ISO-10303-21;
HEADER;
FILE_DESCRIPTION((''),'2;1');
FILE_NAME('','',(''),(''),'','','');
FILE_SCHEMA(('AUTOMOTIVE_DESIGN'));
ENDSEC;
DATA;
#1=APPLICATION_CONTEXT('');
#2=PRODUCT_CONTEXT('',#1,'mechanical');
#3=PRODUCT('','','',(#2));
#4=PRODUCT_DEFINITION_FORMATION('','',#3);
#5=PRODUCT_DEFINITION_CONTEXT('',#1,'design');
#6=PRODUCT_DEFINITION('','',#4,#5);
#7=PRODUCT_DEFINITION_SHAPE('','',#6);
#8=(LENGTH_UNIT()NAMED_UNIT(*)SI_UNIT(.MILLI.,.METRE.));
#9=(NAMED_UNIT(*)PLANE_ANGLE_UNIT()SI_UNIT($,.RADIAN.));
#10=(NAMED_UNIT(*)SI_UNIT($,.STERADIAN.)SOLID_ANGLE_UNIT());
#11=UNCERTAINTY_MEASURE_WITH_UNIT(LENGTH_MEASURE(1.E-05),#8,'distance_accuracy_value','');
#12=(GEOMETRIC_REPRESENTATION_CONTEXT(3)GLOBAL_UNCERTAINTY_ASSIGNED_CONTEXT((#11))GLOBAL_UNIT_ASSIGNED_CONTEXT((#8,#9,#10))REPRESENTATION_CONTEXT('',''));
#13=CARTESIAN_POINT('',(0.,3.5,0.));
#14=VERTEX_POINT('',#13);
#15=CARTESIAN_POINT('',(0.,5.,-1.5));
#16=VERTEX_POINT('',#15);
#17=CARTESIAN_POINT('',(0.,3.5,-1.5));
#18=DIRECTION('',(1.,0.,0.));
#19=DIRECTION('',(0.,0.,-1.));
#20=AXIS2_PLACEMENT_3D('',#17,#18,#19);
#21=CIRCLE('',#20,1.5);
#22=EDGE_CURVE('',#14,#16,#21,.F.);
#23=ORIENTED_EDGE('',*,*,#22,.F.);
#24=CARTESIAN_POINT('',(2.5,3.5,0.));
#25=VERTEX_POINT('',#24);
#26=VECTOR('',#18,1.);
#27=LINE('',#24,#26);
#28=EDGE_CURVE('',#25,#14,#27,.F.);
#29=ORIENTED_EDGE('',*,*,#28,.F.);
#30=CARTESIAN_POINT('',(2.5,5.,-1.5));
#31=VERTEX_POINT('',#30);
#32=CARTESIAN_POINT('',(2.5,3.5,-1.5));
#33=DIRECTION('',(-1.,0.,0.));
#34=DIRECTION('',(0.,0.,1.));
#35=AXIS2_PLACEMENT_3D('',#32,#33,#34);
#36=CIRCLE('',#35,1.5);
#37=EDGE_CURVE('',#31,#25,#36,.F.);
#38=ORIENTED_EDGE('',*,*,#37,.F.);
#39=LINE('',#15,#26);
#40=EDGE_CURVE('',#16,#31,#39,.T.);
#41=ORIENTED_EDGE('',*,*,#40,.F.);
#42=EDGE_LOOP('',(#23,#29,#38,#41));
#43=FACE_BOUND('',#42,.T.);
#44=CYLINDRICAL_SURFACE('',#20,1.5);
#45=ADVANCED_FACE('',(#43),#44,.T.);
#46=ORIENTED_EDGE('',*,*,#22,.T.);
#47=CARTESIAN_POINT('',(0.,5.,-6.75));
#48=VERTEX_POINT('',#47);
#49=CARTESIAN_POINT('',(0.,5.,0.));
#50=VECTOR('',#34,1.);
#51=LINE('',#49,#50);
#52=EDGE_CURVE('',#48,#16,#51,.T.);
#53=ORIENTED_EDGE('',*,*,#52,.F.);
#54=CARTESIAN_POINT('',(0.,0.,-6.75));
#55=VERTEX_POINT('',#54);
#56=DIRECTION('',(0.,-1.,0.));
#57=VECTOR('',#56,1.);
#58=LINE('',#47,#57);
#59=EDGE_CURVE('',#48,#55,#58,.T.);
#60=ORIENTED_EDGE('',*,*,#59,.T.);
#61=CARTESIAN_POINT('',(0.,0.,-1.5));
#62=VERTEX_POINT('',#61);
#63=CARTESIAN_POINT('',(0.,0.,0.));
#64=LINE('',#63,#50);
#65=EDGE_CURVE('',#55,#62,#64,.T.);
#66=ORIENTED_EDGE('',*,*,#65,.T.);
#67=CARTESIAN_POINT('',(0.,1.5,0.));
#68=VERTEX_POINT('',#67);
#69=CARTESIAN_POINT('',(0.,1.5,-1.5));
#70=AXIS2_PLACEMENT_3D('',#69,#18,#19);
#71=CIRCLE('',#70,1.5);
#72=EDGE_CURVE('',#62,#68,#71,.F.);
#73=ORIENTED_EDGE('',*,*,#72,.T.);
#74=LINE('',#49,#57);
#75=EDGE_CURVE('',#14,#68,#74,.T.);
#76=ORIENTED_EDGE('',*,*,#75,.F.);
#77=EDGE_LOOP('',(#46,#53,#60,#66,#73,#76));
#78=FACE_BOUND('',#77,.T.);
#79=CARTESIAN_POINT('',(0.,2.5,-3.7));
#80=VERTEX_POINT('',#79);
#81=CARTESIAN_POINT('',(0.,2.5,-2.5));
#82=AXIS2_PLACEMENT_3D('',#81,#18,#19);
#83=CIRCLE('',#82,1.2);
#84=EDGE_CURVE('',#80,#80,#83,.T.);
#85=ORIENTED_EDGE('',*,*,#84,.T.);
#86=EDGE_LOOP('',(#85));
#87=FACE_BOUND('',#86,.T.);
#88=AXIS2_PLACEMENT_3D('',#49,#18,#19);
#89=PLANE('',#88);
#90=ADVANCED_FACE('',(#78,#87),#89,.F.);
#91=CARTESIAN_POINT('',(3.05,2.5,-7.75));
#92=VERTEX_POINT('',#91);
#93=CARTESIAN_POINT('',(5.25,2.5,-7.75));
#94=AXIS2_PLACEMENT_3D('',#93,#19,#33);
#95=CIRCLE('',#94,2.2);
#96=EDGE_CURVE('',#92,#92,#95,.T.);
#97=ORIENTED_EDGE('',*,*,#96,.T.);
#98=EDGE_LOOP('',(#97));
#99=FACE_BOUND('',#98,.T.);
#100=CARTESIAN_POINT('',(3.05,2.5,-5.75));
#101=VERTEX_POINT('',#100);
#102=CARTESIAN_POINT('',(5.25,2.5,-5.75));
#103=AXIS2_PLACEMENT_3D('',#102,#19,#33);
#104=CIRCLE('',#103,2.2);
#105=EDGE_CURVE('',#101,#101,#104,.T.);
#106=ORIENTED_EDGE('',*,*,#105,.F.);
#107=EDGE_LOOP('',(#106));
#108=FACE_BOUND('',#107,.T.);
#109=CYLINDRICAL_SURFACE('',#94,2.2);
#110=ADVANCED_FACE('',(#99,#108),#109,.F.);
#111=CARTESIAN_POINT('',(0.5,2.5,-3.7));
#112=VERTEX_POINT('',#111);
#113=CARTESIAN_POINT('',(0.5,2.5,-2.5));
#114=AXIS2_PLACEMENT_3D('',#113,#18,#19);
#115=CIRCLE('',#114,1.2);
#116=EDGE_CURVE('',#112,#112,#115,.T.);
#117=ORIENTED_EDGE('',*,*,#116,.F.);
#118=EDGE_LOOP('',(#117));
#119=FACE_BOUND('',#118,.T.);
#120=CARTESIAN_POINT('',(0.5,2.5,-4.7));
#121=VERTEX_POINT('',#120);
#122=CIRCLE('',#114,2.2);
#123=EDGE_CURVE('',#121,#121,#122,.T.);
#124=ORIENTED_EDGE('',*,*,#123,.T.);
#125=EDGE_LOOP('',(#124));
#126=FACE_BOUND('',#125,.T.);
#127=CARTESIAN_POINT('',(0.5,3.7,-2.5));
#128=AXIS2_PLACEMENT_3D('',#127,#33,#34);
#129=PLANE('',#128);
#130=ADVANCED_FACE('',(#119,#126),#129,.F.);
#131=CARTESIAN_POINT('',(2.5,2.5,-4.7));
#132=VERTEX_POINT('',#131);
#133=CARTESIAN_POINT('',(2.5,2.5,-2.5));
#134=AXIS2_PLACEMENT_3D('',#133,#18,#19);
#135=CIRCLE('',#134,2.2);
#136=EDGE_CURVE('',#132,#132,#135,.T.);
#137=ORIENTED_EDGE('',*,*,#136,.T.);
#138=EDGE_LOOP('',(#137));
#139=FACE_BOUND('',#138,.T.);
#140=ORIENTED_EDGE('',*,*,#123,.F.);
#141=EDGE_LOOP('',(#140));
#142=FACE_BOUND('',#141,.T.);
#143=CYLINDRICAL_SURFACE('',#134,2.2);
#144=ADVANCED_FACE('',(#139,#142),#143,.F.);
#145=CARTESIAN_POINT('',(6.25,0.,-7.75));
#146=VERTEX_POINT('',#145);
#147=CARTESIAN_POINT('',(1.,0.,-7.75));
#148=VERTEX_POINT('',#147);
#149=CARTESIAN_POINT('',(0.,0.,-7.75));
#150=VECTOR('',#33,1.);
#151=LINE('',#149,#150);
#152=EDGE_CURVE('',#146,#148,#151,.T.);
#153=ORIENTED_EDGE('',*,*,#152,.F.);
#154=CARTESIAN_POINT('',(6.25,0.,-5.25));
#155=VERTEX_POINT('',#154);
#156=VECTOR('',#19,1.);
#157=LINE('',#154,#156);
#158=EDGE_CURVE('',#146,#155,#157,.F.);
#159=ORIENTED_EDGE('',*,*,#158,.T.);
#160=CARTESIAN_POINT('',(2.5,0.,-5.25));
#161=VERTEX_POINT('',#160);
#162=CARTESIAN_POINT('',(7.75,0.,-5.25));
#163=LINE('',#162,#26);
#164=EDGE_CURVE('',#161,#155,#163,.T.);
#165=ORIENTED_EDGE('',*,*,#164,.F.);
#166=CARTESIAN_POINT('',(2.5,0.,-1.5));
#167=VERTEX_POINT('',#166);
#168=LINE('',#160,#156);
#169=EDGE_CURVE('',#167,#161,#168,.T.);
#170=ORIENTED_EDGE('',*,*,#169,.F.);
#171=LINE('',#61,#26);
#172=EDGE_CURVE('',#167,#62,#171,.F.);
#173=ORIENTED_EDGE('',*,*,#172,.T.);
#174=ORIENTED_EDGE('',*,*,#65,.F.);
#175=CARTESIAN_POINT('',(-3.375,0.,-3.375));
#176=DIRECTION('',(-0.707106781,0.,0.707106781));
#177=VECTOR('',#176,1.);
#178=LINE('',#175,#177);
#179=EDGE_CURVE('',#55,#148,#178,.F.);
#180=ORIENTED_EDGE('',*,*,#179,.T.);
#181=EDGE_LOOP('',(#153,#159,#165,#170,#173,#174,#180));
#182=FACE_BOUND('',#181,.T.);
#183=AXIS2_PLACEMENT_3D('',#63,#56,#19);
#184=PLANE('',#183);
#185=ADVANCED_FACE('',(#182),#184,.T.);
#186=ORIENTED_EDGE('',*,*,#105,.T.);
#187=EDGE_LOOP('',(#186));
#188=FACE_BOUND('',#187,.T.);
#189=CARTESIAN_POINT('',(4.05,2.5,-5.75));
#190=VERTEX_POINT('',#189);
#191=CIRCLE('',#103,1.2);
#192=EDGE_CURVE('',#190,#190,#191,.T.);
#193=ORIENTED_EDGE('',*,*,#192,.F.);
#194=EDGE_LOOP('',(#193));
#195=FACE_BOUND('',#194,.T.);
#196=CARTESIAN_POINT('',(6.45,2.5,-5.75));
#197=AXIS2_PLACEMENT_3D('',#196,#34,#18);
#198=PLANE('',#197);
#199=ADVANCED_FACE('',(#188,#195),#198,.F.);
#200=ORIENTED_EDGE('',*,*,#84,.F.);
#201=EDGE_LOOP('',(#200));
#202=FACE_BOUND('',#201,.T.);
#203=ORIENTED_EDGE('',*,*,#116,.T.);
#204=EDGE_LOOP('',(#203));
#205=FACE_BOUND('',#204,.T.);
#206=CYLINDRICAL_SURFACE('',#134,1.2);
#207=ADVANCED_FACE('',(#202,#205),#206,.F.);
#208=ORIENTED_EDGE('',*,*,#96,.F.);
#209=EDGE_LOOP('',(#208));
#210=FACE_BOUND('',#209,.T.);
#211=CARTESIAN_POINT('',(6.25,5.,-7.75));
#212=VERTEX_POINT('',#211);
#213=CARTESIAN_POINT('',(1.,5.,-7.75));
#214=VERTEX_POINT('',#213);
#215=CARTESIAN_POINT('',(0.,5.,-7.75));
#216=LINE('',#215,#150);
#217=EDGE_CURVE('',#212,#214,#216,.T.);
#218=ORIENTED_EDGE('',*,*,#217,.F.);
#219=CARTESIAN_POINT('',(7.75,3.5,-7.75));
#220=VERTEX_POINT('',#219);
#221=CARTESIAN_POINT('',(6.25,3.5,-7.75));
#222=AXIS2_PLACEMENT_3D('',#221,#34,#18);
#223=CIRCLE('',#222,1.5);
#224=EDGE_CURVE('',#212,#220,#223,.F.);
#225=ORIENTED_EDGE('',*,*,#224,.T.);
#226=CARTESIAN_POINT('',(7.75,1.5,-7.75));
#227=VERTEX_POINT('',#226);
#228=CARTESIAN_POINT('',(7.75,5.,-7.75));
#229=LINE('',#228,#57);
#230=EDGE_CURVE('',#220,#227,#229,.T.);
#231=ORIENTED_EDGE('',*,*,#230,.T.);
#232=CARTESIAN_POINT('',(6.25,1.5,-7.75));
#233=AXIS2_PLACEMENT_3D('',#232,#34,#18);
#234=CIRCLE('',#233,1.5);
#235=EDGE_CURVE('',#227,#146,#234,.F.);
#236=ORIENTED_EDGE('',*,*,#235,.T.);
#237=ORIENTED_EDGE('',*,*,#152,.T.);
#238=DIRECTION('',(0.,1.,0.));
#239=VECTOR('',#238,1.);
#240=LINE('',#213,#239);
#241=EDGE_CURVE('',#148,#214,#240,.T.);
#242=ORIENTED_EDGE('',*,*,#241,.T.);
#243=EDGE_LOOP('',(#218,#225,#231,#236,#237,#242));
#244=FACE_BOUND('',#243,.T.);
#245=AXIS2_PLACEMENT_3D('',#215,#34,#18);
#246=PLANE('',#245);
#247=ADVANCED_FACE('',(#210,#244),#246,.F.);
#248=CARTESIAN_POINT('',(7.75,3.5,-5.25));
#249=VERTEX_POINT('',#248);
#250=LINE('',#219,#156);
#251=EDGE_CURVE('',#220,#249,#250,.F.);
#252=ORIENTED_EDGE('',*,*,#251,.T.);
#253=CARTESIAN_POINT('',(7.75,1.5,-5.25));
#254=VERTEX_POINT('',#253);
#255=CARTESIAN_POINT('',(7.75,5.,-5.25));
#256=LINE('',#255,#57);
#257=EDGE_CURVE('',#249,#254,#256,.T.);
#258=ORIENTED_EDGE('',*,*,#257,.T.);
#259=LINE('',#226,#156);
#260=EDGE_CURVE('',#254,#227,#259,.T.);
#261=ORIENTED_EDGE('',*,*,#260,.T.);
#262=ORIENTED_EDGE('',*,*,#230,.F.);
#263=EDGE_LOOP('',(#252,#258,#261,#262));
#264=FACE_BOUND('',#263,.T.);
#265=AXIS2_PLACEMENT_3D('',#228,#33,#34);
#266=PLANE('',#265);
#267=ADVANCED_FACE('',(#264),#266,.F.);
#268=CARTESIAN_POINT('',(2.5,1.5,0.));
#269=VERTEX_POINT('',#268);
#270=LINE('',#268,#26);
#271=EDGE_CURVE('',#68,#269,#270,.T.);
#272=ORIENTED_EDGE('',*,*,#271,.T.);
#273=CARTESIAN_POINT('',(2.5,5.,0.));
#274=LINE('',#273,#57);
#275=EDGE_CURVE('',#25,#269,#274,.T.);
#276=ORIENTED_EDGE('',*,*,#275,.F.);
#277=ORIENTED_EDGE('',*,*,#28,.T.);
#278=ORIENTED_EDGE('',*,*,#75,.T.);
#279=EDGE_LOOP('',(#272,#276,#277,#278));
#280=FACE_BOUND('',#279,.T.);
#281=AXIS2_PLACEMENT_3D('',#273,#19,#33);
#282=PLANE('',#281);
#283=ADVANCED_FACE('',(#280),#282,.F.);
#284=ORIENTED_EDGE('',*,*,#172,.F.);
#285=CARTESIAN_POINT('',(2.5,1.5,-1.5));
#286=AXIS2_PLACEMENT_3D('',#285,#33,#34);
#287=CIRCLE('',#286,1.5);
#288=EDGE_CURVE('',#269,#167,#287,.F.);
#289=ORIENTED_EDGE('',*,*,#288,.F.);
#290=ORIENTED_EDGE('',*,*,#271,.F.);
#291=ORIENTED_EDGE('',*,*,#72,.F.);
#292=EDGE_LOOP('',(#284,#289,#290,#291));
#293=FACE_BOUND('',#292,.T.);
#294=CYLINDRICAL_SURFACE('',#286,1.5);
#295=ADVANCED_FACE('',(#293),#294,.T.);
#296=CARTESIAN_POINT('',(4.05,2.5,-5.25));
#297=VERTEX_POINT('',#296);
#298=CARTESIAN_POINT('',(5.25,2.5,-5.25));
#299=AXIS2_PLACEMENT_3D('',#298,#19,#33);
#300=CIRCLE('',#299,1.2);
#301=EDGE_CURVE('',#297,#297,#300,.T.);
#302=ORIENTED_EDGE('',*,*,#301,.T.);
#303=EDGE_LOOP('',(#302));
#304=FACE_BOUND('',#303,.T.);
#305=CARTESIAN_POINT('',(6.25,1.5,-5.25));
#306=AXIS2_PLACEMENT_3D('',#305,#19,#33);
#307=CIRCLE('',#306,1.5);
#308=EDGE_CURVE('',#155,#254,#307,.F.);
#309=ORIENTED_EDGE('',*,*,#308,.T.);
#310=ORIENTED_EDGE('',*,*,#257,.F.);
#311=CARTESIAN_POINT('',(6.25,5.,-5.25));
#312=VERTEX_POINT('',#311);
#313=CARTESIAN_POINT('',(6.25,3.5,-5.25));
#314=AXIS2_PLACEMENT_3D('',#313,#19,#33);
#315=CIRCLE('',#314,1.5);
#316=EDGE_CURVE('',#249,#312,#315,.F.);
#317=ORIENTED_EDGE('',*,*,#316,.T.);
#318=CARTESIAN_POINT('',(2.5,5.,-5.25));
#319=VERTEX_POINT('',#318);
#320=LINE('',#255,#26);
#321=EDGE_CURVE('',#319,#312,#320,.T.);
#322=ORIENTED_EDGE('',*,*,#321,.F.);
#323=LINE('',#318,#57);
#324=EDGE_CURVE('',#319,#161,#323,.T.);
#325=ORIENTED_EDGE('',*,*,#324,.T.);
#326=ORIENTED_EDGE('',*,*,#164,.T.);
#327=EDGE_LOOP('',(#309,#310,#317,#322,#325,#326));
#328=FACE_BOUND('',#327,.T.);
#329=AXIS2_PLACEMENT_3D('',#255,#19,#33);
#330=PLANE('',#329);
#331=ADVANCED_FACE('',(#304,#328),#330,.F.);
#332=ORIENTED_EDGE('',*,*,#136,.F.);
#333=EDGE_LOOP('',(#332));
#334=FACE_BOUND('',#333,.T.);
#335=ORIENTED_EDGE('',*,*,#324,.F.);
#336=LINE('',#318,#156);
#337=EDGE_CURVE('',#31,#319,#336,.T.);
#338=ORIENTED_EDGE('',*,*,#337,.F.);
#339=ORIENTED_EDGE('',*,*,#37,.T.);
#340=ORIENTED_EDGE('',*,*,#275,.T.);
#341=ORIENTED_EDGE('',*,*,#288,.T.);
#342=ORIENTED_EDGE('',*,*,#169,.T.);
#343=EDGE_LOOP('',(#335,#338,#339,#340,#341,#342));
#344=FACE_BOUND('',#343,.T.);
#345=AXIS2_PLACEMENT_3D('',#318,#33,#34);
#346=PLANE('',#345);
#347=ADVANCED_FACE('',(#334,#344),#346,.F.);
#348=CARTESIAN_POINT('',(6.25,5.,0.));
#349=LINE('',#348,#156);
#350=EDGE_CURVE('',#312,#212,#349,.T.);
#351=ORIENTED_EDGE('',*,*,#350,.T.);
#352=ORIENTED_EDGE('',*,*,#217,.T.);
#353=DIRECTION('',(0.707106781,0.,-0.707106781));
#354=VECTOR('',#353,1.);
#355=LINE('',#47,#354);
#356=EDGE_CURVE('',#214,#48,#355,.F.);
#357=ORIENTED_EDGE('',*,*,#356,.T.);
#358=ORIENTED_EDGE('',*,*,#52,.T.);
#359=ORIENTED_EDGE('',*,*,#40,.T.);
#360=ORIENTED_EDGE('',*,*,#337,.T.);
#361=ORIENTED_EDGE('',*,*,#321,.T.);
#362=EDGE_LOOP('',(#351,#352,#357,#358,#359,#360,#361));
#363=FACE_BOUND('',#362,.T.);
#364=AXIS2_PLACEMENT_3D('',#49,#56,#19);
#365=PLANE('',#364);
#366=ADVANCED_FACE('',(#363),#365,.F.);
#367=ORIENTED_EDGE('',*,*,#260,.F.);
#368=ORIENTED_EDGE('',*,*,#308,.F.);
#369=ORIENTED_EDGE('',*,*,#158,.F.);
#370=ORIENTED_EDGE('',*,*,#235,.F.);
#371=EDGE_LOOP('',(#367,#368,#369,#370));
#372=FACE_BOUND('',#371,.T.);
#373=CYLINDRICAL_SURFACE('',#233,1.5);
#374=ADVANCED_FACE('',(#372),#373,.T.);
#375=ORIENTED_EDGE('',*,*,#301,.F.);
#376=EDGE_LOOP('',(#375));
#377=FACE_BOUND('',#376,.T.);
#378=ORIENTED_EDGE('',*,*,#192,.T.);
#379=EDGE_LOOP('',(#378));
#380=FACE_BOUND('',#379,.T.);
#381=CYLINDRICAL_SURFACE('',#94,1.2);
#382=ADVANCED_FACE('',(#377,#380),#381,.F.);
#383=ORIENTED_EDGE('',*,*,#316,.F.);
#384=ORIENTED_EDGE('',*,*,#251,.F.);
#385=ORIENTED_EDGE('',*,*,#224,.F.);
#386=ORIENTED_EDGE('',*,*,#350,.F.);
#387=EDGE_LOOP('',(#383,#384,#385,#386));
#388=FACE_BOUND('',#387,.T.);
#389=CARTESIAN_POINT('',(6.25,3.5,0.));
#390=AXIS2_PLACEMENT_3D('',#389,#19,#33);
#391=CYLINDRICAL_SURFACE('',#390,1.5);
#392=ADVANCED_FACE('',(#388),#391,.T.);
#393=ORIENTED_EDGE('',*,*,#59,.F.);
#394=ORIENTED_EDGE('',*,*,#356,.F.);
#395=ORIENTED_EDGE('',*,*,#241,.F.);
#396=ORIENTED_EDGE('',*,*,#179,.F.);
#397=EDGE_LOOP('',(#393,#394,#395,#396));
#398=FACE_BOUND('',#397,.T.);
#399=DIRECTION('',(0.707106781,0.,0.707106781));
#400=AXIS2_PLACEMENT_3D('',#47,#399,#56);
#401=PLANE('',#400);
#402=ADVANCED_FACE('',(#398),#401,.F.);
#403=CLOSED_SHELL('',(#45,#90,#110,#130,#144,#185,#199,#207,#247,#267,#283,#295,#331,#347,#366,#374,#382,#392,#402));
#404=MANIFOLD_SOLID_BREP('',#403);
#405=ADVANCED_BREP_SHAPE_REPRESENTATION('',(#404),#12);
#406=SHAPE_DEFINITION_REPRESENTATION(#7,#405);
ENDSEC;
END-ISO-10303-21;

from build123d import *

# Parameters (mm, degrees)
BOSS_EXTRUDE2_DEPTH            = 5
CHAMFER1_SIZE                  = 1
CBORE_FOR_M2_SHCS1_D           = 2.4
CBORE_FOR_M2_SHCS1_CBORE_D     = 4.4
CBORE_FOR_M2_SHCS1_CBORE_DEPTH = 2
FILLET2_R                      = 1.5
CBORE_FOR_M2_SHCS3_D           = 2.4
CBORE_FOR_M2_SHCS3_CBORE_D     = 4.4
CBORE_FOR_M2_SHCS3_CBORE_DEPTH = 2


with BuildPart() as part:
    # Sketch1 → Boss-Extrude2 (new body)
    with BuildSketch(Plane(origin=(0, 0, 0), x_dir=(1, 0, 0), z_dir=(0, 1, 0))):
        Polygon((0, 0), (0, 7.75), (7.75, 7.75), (7.75, 5.25), (2.5, 5.25), (2.5, 0), align=None)
    extrude(amount=BOSS_EXTRUDE2_DEPTH)

    # Chamfer1
    chamfer1_edges = [part.edges().sort_by_distance(p)[0] for p in [
        (0, 2.5, -7.75),
    ]]
    chamfer(chamfer1_edges, length=CHAMFER1_SIZE)

    # CBORE for M2 SHCS1 (through all)
    with Locations(Plane(origin=(0, 0, -7.75), x_dir=(-1, 0, 0), z_dir=(0, 0, -1))):
        with Locations((-5.25, 2.5)):
            CounterBoreHole(CBORE_FOR_M2_SHCS1_D / 2, CBORE_FOR_M2_SHCS1_CBORE_D / 2, CBORE_FOR_M2_SHCS1_CBORE_DEPTH)

    # Fillet2
    fillet2_edges = [part.edges().sort_by_distance(p)[0] for p in [
        (7.75, 5, -6.5),
        (1.25, 5, 0),
        (7.75, 0, -6.5),
        (1.25, 0, 0),
    ]]
    fillet(fillet2_edges, radius=FILLET2_R)

    # CBORE for M2 SHCS3 (through all)
    with Locations(Plane(origin=(2.5, 0, 0), x_dir=(0, 0, -1), z_dir=(1, 0, 0))):
        with Locations((2.5, 2.5)):
            CounterBoreHole(CBORE_FOR_M2_SHCS3_D / 2, CBORE_FOR_M2_SHCS3_CBORE_D / 2, CBORE_FOR_M2_SHCS3_CBORE_DEPTH)


solid = part.part
